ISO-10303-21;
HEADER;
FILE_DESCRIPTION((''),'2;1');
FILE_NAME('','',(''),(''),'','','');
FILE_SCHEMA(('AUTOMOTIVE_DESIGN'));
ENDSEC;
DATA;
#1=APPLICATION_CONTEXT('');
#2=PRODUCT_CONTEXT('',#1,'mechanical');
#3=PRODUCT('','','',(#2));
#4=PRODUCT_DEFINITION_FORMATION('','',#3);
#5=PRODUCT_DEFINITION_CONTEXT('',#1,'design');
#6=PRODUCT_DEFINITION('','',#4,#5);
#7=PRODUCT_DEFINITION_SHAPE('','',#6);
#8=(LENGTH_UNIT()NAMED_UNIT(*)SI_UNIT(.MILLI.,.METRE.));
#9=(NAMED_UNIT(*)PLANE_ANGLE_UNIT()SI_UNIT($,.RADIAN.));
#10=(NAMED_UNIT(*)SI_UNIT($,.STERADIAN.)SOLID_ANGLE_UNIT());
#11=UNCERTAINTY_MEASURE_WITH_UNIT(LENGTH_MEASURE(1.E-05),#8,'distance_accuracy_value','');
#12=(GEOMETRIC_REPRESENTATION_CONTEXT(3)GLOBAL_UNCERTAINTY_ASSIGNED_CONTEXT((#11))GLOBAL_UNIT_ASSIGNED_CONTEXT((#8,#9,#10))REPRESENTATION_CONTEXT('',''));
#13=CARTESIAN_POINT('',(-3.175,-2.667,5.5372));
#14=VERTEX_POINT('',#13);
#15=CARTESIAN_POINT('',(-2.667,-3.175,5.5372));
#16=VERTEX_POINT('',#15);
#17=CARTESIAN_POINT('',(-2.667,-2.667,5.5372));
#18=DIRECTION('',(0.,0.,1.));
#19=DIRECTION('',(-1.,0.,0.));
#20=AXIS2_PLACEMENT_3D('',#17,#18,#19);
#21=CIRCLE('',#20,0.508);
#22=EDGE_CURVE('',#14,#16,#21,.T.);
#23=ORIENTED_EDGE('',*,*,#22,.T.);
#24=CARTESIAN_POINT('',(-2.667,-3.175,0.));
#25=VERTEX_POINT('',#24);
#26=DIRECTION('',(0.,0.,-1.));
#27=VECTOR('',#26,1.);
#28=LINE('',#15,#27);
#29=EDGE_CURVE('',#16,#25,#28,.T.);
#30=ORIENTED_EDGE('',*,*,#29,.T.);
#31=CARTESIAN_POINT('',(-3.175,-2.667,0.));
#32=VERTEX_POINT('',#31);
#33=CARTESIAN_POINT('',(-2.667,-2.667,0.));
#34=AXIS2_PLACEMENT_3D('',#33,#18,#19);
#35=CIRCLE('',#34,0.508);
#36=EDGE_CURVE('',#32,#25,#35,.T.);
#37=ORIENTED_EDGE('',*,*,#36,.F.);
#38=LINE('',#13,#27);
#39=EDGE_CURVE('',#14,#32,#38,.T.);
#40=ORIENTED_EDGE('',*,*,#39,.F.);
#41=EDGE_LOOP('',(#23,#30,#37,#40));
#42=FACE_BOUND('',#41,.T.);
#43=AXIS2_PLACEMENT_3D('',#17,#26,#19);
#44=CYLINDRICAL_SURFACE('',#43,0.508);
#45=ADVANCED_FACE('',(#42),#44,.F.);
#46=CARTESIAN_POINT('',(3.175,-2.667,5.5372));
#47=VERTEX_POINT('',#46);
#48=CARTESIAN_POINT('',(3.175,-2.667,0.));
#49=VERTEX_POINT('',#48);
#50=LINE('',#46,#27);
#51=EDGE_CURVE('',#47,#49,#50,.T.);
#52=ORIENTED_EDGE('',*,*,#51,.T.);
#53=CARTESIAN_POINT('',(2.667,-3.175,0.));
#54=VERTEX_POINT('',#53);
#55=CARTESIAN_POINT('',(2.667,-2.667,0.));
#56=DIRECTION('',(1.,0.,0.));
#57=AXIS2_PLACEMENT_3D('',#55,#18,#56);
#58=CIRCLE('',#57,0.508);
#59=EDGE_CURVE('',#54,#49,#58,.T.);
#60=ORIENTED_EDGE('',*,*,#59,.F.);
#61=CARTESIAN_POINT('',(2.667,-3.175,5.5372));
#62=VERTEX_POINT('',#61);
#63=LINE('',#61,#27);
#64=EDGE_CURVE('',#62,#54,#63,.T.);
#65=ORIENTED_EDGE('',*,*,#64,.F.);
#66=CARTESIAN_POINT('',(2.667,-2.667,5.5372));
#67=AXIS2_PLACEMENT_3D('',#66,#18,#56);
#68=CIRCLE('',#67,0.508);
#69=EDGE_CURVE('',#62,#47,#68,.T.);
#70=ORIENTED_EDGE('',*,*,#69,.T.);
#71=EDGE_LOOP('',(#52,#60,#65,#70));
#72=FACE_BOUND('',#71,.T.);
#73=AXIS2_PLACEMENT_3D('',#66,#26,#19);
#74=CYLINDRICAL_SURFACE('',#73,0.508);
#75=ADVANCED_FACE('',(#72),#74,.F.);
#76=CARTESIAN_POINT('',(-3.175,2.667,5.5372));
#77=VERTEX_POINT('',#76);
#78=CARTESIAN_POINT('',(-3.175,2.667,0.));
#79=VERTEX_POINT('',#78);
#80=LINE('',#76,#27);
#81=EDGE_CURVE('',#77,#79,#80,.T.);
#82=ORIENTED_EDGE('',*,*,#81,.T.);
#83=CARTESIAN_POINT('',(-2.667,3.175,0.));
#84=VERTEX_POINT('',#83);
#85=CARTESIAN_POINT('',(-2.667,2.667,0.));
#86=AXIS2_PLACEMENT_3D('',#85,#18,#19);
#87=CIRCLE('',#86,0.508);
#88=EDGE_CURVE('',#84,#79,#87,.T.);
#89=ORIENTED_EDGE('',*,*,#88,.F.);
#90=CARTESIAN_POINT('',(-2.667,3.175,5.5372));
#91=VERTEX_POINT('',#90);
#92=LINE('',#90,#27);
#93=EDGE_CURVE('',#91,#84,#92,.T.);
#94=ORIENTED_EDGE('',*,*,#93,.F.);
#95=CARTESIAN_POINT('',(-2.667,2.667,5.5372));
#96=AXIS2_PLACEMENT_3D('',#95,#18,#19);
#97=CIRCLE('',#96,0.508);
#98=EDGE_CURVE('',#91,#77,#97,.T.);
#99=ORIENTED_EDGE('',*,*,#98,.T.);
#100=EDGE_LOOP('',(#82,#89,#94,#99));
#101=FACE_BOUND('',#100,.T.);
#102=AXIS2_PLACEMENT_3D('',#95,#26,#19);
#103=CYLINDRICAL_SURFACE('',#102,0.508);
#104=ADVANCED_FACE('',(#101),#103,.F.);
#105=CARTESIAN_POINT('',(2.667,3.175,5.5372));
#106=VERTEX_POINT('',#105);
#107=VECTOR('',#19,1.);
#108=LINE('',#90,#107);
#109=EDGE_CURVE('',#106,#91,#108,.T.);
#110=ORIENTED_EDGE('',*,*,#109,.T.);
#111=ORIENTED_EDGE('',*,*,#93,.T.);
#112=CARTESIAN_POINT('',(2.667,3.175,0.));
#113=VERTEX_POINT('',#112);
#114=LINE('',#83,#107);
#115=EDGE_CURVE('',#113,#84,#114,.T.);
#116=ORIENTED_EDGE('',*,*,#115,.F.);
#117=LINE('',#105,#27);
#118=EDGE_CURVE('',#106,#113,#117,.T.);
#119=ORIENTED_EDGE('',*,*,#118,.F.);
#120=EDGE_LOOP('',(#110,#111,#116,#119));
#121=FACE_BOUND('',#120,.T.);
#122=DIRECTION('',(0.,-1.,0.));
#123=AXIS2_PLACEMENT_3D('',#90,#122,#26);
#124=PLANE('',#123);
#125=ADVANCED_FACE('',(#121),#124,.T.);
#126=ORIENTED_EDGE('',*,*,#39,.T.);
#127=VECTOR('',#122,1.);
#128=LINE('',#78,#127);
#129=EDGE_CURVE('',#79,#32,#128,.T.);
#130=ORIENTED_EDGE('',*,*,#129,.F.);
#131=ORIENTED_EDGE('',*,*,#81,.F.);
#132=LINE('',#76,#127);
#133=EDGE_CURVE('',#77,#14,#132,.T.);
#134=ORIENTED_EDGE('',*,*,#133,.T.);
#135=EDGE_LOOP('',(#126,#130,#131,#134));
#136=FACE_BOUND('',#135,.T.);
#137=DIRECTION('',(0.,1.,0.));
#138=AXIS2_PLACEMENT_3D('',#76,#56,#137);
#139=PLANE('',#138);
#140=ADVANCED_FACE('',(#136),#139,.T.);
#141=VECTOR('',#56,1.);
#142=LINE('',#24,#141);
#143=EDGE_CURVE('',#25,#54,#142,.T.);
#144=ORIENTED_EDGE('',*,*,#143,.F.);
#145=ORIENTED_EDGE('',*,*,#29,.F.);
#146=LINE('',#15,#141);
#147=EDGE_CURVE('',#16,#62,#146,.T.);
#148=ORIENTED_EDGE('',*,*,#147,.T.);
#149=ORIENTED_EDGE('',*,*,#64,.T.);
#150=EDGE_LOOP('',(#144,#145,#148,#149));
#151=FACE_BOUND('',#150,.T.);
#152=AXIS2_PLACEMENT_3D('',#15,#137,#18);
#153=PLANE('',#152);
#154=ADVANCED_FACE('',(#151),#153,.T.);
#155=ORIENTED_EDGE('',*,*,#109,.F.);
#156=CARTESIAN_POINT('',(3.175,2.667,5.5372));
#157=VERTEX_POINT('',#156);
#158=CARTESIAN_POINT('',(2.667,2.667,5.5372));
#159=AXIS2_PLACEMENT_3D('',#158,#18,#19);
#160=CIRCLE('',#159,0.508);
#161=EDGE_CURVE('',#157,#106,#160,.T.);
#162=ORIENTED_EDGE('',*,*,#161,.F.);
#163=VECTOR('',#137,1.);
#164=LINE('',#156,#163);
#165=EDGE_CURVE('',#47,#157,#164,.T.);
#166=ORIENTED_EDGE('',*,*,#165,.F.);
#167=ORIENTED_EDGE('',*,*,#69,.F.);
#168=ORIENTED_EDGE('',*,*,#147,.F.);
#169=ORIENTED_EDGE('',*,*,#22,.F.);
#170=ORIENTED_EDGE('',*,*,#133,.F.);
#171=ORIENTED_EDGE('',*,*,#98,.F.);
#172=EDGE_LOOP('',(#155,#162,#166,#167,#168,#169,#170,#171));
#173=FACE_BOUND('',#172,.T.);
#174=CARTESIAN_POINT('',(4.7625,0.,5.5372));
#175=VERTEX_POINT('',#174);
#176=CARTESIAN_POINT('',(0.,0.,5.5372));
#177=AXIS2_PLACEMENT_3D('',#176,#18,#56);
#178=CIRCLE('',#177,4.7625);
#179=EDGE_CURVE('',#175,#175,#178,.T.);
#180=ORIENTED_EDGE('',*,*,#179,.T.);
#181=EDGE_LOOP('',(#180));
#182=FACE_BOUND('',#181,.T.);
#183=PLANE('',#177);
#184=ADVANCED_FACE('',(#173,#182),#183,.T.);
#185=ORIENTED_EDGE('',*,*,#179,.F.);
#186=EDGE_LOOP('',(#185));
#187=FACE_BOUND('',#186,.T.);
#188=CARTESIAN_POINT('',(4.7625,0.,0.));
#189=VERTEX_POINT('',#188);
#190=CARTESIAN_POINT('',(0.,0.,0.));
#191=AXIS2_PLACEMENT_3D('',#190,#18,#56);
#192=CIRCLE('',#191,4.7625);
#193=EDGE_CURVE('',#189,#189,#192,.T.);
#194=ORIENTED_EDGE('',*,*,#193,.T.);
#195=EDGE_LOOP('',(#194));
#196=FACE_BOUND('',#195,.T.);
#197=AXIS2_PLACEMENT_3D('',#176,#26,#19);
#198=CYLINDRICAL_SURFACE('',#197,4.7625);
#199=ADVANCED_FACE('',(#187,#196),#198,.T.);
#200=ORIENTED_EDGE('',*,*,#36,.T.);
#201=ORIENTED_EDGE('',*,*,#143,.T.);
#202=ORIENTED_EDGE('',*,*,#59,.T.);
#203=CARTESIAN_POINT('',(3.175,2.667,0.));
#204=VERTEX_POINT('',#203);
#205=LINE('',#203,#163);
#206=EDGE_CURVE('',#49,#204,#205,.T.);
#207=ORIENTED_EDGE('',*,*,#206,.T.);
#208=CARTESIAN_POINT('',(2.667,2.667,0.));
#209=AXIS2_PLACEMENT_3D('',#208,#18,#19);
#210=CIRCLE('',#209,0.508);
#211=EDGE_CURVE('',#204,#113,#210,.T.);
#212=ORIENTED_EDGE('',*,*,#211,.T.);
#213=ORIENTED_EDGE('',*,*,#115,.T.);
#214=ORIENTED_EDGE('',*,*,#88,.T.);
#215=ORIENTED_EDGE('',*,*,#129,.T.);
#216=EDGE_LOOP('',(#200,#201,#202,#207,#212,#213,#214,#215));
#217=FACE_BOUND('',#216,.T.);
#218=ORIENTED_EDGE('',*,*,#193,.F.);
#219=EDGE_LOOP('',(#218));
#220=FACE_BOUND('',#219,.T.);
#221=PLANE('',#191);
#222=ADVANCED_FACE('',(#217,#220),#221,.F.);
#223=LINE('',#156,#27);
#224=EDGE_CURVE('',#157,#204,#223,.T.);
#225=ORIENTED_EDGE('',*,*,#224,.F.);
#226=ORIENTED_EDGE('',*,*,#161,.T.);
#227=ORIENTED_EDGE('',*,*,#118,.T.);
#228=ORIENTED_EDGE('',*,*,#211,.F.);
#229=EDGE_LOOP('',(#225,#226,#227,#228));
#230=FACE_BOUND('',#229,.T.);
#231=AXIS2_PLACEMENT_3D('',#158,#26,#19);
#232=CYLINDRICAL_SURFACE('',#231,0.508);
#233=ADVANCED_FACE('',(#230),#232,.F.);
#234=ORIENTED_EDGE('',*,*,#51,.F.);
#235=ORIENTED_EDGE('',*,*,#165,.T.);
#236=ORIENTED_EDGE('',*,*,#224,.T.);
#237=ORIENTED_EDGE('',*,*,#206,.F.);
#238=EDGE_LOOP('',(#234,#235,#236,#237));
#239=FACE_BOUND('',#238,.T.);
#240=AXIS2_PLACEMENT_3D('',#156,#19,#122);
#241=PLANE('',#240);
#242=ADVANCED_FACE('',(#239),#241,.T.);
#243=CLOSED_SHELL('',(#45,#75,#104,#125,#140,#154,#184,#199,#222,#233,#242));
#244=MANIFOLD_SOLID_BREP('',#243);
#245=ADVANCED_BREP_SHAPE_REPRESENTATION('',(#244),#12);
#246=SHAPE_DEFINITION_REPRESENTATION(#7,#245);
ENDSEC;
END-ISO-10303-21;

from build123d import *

# Parameters (mm, degrees)
SKETCH1_R           = 4.7625
BOSS_EXTRUDE1_DEPTH = 5.5372


with BuildPart() as part:
    # Sketch1 → Boss-Extrude1 (new body)
    with BuildSketch(Plane.XY):
        Circle(SKETCH1_R)
        with BuildLine():
            Line((-2.667, 3.175), (2.667, 3.175))
            ThreePointArc((2.667, 3.175), (3.026210245, 3.026210245), (3.175, 2.667))
            Line((3.175, 2.667), (3.175, -2.667))
            ThreePointArc((3.175, -2.667), (3.026210245, -3.026210245), (2.667, -3.175))
            Line((2.667, -3.175), (-2.667, -3.175))
            ThreePointArc((-2.667, -3.175), (-3.026210245, -3.026210245), (-3.175, -2.667))
            Line((-3.175, -2.667), (-3.175, 2.667))
            ThreePointArc((-3.175, 2.667), (-3.026210245, 3.026210245), (-2.667, 3.175))
        make_face(mode=Mode.SUBTRACT)
    extrude(amount=BOSS_EXTRUDE1_DEPTH)


solid = part.part
